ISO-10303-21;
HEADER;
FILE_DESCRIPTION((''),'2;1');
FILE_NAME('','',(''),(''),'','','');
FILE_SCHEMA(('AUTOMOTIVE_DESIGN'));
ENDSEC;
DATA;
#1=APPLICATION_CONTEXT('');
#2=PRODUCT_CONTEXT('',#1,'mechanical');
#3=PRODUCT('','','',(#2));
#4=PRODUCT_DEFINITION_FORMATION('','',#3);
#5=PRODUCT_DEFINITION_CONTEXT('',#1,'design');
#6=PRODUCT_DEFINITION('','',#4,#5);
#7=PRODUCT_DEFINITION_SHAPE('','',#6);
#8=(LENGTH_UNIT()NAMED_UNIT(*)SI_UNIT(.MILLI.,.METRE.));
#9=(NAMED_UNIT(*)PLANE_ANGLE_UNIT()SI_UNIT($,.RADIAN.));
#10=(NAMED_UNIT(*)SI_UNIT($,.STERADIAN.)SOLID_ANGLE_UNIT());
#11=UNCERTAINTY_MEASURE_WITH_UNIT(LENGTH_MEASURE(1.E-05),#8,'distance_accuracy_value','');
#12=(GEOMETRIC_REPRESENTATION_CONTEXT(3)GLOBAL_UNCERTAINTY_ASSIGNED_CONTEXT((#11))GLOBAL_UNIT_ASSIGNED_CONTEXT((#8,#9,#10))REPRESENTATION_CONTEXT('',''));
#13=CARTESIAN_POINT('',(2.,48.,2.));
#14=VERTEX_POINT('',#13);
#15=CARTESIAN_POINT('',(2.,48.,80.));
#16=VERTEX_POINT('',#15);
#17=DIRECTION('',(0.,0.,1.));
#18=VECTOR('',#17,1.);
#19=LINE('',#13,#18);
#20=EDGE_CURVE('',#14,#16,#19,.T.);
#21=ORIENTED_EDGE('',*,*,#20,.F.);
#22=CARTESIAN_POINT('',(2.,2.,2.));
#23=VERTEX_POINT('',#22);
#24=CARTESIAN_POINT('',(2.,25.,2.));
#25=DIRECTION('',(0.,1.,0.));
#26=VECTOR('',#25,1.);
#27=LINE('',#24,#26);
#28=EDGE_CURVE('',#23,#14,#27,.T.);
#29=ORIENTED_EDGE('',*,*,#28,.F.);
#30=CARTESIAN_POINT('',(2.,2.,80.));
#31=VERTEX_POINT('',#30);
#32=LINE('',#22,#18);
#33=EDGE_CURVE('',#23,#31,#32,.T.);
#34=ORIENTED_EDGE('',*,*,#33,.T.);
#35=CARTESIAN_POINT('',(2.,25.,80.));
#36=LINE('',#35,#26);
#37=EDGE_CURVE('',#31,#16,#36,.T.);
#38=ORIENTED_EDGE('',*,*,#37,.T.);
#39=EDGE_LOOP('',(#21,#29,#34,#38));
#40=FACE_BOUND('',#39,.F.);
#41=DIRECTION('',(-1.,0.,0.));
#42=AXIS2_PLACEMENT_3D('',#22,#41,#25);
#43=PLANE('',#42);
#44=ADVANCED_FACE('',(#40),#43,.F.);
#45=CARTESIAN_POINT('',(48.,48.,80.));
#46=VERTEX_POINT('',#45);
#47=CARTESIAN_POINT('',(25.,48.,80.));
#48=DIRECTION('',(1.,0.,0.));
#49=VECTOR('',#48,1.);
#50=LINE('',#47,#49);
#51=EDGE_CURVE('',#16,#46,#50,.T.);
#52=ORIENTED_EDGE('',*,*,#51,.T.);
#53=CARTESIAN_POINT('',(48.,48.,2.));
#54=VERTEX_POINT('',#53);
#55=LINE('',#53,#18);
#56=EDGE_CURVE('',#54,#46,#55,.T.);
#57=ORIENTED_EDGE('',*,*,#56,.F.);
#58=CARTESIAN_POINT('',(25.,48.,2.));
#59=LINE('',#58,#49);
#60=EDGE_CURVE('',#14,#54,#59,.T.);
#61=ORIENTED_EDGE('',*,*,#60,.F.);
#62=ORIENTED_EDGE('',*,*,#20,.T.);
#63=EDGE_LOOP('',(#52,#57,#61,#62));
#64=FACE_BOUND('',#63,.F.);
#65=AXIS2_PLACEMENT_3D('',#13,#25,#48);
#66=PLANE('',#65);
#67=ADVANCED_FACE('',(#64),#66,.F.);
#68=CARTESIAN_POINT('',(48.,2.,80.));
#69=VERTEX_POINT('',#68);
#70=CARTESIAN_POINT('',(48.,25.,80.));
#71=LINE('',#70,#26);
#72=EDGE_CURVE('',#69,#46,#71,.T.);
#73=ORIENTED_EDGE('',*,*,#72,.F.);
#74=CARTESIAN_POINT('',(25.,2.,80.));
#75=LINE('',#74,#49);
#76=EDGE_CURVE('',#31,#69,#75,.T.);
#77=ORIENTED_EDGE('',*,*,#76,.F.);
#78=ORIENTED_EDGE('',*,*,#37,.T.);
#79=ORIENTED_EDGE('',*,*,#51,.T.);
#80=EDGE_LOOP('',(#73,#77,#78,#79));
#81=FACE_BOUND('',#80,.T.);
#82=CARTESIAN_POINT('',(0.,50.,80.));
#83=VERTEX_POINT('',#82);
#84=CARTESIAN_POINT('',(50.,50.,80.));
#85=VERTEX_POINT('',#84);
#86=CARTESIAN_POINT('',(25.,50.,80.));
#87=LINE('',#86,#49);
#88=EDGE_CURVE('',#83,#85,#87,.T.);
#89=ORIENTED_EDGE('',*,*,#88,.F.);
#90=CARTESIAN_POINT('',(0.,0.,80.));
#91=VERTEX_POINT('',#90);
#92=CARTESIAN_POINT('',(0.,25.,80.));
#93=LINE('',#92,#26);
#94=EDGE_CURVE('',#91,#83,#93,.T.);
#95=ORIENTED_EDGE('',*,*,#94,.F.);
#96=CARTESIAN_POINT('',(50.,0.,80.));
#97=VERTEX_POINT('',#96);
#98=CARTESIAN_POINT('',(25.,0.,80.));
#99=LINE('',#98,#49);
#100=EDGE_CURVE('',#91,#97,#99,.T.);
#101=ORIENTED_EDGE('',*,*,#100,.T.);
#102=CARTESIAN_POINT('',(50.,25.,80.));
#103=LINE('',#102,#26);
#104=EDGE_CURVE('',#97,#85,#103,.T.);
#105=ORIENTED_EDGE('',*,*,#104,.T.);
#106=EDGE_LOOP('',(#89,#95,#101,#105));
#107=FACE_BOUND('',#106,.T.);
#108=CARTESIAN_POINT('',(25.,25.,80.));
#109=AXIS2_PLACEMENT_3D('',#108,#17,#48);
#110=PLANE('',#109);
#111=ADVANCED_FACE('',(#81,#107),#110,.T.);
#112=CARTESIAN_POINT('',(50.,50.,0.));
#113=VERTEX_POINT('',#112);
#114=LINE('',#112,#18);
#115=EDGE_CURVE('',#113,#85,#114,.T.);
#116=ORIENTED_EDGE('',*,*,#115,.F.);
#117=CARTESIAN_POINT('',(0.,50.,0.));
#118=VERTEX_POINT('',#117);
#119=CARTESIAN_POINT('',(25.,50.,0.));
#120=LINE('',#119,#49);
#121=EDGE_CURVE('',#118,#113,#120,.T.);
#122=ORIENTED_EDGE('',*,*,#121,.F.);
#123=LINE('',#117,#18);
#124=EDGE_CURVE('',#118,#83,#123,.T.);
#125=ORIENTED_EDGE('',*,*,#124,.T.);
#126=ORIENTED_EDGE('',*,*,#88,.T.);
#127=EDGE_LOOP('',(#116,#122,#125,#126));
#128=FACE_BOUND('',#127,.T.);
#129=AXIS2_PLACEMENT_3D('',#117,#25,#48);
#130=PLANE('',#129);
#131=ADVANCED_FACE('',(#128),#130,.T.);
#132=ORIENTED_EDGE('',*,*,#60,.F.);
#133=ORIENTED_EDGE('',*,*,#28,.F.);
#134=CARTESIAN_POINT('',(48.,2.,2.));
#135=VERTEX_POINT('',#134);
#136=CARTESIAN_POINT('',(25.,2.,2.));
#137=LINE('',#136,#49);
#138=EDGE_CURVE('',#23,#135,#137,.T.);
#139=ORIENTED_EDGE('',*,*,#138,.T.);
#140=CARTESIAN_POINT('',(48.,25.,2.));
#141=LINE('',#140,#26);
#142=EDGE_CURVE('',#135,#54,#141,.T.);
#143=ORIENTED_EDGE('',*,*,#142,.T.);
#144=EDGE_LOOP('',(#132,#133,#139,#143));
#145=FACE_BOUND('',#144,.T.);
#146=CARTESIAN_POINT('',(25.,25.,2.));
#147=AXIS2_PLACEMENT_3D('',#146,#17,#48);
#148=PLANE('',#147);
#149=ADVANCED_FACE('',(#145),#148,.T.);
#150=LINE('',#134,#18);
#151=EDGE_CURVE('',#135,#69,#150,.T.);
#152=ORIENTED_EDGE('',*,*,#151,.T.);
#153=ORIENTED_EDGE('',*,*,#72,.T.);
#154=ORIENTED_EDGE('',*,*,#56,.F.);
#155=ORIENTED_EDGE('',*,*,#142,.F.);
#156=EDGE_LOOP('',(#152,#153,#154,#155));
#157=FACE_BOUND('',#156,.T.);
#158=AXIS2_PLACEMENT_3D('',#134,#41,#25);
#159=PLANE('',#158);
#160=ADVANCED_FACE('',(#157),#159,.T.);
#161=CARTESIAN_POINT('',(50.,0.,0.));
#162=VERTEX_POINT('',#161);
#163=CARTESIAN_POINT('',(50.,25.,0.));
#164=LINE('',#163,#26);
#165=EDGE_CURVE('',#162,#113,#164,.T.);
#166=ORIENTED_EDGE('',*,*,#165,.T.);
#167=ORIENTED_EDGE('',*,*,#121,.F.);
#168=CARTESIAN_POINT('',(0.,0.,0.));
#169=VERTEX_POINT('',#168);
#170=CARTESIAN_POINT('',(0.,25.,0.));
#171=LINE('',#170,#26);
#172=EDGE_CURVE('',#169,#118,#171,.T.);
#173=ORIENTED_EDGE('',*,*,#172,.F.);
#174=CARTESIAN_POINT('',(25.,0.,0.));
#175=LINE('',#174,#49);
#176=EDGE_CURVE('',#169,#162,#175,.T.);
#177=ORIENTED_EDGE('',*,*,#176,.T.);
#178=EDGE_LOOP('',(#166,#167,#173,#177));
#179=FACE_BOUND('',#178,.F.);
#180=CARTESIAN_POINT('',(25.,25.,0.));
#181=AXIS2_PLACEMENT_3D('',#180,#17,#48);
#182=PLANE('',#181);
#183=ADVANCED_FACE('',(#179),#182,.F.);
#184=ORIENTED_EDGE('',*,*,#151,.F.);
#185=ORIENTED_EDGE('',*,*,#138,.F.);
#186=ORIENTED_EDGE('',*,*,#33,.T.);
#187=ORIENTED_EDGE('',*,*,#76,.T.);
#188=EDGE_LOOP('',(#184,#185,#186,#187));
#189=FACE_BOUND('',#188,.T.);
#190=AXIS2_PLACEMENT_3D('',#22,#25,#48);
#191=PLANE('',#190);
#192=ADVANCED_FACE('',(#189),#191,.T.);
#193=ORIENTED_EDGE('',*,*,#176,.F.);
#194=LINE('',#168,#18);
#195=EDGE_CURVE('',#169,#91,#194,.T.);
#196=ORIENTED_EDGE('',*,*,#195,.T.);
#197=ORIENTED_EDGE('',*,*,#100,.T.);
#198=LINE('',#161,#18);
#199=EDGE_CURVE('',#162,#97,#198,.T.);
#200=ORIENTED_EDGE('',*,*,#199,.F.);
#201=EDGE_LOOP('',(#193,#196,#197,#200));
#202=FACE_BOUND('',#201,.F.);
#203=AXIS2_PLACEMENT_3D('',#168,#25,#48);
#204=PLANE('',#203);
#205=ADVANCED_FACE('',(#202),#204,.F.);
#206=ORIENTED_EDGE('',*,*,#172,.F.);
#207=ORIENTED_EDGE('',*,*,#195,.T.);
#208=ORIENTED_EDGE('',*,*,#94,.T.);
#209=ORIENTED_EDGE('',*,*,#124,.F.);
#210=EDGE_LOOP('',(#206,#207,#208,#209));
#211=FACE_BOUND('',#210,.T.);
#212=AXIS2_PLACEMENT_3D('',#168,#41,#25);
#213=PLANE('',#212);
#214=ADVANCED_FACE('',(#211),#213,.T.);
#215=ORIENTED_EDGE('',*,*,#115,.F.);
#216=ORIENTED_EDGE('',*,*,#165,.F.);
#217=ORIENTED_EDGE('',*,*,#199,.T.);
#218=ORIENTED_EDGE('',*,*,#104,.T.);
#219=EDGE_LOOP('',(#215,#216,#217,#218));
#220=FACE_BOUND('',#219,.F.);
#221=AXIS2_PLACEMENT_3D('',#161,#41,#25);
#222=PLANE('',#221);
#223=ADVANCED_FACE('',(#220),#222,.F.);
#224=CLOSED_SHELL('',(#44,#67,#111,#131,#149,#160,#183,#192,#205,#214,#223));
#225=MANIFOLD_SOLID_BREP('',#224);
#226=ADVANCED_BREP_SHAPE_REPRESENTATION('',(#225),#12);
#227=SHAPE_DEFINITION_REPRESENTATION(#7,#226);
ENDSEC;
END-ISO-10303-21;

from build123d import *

# Parameters (mm, degrees)
BOX001_W     = 46
BOX001_H     = 46
BOX001_DEPTH = 78
BOX_W        = 50
BOX_H        = 50
BOX_DEPTH    = 80


with BuildPart() as resta:
    # Box001 → Box001 (new body)
    with BuildSketch(Plane(origin=(2, 2, 2), x_dir=(1, 0, 0), z_dir=(0, 0, 1))):
        with Locations((23, 23)):
            Rectangle(BOX001_W, BOX001_H)
    extrude(amount=BOX001_DEPTH)


with BuildPart() as cut:
    # Box → Box (new body)
    with BuildSketch(Plane.XY):
        with Locations((25, 25)):
            Rectangle(BOX_W, BOX_H)
    extrude(amount=BOX_DEPTH)

    # Cut: cut Resta
    add(resta.part, mode=Mode.SUBTRACT)


solid = cut.part
